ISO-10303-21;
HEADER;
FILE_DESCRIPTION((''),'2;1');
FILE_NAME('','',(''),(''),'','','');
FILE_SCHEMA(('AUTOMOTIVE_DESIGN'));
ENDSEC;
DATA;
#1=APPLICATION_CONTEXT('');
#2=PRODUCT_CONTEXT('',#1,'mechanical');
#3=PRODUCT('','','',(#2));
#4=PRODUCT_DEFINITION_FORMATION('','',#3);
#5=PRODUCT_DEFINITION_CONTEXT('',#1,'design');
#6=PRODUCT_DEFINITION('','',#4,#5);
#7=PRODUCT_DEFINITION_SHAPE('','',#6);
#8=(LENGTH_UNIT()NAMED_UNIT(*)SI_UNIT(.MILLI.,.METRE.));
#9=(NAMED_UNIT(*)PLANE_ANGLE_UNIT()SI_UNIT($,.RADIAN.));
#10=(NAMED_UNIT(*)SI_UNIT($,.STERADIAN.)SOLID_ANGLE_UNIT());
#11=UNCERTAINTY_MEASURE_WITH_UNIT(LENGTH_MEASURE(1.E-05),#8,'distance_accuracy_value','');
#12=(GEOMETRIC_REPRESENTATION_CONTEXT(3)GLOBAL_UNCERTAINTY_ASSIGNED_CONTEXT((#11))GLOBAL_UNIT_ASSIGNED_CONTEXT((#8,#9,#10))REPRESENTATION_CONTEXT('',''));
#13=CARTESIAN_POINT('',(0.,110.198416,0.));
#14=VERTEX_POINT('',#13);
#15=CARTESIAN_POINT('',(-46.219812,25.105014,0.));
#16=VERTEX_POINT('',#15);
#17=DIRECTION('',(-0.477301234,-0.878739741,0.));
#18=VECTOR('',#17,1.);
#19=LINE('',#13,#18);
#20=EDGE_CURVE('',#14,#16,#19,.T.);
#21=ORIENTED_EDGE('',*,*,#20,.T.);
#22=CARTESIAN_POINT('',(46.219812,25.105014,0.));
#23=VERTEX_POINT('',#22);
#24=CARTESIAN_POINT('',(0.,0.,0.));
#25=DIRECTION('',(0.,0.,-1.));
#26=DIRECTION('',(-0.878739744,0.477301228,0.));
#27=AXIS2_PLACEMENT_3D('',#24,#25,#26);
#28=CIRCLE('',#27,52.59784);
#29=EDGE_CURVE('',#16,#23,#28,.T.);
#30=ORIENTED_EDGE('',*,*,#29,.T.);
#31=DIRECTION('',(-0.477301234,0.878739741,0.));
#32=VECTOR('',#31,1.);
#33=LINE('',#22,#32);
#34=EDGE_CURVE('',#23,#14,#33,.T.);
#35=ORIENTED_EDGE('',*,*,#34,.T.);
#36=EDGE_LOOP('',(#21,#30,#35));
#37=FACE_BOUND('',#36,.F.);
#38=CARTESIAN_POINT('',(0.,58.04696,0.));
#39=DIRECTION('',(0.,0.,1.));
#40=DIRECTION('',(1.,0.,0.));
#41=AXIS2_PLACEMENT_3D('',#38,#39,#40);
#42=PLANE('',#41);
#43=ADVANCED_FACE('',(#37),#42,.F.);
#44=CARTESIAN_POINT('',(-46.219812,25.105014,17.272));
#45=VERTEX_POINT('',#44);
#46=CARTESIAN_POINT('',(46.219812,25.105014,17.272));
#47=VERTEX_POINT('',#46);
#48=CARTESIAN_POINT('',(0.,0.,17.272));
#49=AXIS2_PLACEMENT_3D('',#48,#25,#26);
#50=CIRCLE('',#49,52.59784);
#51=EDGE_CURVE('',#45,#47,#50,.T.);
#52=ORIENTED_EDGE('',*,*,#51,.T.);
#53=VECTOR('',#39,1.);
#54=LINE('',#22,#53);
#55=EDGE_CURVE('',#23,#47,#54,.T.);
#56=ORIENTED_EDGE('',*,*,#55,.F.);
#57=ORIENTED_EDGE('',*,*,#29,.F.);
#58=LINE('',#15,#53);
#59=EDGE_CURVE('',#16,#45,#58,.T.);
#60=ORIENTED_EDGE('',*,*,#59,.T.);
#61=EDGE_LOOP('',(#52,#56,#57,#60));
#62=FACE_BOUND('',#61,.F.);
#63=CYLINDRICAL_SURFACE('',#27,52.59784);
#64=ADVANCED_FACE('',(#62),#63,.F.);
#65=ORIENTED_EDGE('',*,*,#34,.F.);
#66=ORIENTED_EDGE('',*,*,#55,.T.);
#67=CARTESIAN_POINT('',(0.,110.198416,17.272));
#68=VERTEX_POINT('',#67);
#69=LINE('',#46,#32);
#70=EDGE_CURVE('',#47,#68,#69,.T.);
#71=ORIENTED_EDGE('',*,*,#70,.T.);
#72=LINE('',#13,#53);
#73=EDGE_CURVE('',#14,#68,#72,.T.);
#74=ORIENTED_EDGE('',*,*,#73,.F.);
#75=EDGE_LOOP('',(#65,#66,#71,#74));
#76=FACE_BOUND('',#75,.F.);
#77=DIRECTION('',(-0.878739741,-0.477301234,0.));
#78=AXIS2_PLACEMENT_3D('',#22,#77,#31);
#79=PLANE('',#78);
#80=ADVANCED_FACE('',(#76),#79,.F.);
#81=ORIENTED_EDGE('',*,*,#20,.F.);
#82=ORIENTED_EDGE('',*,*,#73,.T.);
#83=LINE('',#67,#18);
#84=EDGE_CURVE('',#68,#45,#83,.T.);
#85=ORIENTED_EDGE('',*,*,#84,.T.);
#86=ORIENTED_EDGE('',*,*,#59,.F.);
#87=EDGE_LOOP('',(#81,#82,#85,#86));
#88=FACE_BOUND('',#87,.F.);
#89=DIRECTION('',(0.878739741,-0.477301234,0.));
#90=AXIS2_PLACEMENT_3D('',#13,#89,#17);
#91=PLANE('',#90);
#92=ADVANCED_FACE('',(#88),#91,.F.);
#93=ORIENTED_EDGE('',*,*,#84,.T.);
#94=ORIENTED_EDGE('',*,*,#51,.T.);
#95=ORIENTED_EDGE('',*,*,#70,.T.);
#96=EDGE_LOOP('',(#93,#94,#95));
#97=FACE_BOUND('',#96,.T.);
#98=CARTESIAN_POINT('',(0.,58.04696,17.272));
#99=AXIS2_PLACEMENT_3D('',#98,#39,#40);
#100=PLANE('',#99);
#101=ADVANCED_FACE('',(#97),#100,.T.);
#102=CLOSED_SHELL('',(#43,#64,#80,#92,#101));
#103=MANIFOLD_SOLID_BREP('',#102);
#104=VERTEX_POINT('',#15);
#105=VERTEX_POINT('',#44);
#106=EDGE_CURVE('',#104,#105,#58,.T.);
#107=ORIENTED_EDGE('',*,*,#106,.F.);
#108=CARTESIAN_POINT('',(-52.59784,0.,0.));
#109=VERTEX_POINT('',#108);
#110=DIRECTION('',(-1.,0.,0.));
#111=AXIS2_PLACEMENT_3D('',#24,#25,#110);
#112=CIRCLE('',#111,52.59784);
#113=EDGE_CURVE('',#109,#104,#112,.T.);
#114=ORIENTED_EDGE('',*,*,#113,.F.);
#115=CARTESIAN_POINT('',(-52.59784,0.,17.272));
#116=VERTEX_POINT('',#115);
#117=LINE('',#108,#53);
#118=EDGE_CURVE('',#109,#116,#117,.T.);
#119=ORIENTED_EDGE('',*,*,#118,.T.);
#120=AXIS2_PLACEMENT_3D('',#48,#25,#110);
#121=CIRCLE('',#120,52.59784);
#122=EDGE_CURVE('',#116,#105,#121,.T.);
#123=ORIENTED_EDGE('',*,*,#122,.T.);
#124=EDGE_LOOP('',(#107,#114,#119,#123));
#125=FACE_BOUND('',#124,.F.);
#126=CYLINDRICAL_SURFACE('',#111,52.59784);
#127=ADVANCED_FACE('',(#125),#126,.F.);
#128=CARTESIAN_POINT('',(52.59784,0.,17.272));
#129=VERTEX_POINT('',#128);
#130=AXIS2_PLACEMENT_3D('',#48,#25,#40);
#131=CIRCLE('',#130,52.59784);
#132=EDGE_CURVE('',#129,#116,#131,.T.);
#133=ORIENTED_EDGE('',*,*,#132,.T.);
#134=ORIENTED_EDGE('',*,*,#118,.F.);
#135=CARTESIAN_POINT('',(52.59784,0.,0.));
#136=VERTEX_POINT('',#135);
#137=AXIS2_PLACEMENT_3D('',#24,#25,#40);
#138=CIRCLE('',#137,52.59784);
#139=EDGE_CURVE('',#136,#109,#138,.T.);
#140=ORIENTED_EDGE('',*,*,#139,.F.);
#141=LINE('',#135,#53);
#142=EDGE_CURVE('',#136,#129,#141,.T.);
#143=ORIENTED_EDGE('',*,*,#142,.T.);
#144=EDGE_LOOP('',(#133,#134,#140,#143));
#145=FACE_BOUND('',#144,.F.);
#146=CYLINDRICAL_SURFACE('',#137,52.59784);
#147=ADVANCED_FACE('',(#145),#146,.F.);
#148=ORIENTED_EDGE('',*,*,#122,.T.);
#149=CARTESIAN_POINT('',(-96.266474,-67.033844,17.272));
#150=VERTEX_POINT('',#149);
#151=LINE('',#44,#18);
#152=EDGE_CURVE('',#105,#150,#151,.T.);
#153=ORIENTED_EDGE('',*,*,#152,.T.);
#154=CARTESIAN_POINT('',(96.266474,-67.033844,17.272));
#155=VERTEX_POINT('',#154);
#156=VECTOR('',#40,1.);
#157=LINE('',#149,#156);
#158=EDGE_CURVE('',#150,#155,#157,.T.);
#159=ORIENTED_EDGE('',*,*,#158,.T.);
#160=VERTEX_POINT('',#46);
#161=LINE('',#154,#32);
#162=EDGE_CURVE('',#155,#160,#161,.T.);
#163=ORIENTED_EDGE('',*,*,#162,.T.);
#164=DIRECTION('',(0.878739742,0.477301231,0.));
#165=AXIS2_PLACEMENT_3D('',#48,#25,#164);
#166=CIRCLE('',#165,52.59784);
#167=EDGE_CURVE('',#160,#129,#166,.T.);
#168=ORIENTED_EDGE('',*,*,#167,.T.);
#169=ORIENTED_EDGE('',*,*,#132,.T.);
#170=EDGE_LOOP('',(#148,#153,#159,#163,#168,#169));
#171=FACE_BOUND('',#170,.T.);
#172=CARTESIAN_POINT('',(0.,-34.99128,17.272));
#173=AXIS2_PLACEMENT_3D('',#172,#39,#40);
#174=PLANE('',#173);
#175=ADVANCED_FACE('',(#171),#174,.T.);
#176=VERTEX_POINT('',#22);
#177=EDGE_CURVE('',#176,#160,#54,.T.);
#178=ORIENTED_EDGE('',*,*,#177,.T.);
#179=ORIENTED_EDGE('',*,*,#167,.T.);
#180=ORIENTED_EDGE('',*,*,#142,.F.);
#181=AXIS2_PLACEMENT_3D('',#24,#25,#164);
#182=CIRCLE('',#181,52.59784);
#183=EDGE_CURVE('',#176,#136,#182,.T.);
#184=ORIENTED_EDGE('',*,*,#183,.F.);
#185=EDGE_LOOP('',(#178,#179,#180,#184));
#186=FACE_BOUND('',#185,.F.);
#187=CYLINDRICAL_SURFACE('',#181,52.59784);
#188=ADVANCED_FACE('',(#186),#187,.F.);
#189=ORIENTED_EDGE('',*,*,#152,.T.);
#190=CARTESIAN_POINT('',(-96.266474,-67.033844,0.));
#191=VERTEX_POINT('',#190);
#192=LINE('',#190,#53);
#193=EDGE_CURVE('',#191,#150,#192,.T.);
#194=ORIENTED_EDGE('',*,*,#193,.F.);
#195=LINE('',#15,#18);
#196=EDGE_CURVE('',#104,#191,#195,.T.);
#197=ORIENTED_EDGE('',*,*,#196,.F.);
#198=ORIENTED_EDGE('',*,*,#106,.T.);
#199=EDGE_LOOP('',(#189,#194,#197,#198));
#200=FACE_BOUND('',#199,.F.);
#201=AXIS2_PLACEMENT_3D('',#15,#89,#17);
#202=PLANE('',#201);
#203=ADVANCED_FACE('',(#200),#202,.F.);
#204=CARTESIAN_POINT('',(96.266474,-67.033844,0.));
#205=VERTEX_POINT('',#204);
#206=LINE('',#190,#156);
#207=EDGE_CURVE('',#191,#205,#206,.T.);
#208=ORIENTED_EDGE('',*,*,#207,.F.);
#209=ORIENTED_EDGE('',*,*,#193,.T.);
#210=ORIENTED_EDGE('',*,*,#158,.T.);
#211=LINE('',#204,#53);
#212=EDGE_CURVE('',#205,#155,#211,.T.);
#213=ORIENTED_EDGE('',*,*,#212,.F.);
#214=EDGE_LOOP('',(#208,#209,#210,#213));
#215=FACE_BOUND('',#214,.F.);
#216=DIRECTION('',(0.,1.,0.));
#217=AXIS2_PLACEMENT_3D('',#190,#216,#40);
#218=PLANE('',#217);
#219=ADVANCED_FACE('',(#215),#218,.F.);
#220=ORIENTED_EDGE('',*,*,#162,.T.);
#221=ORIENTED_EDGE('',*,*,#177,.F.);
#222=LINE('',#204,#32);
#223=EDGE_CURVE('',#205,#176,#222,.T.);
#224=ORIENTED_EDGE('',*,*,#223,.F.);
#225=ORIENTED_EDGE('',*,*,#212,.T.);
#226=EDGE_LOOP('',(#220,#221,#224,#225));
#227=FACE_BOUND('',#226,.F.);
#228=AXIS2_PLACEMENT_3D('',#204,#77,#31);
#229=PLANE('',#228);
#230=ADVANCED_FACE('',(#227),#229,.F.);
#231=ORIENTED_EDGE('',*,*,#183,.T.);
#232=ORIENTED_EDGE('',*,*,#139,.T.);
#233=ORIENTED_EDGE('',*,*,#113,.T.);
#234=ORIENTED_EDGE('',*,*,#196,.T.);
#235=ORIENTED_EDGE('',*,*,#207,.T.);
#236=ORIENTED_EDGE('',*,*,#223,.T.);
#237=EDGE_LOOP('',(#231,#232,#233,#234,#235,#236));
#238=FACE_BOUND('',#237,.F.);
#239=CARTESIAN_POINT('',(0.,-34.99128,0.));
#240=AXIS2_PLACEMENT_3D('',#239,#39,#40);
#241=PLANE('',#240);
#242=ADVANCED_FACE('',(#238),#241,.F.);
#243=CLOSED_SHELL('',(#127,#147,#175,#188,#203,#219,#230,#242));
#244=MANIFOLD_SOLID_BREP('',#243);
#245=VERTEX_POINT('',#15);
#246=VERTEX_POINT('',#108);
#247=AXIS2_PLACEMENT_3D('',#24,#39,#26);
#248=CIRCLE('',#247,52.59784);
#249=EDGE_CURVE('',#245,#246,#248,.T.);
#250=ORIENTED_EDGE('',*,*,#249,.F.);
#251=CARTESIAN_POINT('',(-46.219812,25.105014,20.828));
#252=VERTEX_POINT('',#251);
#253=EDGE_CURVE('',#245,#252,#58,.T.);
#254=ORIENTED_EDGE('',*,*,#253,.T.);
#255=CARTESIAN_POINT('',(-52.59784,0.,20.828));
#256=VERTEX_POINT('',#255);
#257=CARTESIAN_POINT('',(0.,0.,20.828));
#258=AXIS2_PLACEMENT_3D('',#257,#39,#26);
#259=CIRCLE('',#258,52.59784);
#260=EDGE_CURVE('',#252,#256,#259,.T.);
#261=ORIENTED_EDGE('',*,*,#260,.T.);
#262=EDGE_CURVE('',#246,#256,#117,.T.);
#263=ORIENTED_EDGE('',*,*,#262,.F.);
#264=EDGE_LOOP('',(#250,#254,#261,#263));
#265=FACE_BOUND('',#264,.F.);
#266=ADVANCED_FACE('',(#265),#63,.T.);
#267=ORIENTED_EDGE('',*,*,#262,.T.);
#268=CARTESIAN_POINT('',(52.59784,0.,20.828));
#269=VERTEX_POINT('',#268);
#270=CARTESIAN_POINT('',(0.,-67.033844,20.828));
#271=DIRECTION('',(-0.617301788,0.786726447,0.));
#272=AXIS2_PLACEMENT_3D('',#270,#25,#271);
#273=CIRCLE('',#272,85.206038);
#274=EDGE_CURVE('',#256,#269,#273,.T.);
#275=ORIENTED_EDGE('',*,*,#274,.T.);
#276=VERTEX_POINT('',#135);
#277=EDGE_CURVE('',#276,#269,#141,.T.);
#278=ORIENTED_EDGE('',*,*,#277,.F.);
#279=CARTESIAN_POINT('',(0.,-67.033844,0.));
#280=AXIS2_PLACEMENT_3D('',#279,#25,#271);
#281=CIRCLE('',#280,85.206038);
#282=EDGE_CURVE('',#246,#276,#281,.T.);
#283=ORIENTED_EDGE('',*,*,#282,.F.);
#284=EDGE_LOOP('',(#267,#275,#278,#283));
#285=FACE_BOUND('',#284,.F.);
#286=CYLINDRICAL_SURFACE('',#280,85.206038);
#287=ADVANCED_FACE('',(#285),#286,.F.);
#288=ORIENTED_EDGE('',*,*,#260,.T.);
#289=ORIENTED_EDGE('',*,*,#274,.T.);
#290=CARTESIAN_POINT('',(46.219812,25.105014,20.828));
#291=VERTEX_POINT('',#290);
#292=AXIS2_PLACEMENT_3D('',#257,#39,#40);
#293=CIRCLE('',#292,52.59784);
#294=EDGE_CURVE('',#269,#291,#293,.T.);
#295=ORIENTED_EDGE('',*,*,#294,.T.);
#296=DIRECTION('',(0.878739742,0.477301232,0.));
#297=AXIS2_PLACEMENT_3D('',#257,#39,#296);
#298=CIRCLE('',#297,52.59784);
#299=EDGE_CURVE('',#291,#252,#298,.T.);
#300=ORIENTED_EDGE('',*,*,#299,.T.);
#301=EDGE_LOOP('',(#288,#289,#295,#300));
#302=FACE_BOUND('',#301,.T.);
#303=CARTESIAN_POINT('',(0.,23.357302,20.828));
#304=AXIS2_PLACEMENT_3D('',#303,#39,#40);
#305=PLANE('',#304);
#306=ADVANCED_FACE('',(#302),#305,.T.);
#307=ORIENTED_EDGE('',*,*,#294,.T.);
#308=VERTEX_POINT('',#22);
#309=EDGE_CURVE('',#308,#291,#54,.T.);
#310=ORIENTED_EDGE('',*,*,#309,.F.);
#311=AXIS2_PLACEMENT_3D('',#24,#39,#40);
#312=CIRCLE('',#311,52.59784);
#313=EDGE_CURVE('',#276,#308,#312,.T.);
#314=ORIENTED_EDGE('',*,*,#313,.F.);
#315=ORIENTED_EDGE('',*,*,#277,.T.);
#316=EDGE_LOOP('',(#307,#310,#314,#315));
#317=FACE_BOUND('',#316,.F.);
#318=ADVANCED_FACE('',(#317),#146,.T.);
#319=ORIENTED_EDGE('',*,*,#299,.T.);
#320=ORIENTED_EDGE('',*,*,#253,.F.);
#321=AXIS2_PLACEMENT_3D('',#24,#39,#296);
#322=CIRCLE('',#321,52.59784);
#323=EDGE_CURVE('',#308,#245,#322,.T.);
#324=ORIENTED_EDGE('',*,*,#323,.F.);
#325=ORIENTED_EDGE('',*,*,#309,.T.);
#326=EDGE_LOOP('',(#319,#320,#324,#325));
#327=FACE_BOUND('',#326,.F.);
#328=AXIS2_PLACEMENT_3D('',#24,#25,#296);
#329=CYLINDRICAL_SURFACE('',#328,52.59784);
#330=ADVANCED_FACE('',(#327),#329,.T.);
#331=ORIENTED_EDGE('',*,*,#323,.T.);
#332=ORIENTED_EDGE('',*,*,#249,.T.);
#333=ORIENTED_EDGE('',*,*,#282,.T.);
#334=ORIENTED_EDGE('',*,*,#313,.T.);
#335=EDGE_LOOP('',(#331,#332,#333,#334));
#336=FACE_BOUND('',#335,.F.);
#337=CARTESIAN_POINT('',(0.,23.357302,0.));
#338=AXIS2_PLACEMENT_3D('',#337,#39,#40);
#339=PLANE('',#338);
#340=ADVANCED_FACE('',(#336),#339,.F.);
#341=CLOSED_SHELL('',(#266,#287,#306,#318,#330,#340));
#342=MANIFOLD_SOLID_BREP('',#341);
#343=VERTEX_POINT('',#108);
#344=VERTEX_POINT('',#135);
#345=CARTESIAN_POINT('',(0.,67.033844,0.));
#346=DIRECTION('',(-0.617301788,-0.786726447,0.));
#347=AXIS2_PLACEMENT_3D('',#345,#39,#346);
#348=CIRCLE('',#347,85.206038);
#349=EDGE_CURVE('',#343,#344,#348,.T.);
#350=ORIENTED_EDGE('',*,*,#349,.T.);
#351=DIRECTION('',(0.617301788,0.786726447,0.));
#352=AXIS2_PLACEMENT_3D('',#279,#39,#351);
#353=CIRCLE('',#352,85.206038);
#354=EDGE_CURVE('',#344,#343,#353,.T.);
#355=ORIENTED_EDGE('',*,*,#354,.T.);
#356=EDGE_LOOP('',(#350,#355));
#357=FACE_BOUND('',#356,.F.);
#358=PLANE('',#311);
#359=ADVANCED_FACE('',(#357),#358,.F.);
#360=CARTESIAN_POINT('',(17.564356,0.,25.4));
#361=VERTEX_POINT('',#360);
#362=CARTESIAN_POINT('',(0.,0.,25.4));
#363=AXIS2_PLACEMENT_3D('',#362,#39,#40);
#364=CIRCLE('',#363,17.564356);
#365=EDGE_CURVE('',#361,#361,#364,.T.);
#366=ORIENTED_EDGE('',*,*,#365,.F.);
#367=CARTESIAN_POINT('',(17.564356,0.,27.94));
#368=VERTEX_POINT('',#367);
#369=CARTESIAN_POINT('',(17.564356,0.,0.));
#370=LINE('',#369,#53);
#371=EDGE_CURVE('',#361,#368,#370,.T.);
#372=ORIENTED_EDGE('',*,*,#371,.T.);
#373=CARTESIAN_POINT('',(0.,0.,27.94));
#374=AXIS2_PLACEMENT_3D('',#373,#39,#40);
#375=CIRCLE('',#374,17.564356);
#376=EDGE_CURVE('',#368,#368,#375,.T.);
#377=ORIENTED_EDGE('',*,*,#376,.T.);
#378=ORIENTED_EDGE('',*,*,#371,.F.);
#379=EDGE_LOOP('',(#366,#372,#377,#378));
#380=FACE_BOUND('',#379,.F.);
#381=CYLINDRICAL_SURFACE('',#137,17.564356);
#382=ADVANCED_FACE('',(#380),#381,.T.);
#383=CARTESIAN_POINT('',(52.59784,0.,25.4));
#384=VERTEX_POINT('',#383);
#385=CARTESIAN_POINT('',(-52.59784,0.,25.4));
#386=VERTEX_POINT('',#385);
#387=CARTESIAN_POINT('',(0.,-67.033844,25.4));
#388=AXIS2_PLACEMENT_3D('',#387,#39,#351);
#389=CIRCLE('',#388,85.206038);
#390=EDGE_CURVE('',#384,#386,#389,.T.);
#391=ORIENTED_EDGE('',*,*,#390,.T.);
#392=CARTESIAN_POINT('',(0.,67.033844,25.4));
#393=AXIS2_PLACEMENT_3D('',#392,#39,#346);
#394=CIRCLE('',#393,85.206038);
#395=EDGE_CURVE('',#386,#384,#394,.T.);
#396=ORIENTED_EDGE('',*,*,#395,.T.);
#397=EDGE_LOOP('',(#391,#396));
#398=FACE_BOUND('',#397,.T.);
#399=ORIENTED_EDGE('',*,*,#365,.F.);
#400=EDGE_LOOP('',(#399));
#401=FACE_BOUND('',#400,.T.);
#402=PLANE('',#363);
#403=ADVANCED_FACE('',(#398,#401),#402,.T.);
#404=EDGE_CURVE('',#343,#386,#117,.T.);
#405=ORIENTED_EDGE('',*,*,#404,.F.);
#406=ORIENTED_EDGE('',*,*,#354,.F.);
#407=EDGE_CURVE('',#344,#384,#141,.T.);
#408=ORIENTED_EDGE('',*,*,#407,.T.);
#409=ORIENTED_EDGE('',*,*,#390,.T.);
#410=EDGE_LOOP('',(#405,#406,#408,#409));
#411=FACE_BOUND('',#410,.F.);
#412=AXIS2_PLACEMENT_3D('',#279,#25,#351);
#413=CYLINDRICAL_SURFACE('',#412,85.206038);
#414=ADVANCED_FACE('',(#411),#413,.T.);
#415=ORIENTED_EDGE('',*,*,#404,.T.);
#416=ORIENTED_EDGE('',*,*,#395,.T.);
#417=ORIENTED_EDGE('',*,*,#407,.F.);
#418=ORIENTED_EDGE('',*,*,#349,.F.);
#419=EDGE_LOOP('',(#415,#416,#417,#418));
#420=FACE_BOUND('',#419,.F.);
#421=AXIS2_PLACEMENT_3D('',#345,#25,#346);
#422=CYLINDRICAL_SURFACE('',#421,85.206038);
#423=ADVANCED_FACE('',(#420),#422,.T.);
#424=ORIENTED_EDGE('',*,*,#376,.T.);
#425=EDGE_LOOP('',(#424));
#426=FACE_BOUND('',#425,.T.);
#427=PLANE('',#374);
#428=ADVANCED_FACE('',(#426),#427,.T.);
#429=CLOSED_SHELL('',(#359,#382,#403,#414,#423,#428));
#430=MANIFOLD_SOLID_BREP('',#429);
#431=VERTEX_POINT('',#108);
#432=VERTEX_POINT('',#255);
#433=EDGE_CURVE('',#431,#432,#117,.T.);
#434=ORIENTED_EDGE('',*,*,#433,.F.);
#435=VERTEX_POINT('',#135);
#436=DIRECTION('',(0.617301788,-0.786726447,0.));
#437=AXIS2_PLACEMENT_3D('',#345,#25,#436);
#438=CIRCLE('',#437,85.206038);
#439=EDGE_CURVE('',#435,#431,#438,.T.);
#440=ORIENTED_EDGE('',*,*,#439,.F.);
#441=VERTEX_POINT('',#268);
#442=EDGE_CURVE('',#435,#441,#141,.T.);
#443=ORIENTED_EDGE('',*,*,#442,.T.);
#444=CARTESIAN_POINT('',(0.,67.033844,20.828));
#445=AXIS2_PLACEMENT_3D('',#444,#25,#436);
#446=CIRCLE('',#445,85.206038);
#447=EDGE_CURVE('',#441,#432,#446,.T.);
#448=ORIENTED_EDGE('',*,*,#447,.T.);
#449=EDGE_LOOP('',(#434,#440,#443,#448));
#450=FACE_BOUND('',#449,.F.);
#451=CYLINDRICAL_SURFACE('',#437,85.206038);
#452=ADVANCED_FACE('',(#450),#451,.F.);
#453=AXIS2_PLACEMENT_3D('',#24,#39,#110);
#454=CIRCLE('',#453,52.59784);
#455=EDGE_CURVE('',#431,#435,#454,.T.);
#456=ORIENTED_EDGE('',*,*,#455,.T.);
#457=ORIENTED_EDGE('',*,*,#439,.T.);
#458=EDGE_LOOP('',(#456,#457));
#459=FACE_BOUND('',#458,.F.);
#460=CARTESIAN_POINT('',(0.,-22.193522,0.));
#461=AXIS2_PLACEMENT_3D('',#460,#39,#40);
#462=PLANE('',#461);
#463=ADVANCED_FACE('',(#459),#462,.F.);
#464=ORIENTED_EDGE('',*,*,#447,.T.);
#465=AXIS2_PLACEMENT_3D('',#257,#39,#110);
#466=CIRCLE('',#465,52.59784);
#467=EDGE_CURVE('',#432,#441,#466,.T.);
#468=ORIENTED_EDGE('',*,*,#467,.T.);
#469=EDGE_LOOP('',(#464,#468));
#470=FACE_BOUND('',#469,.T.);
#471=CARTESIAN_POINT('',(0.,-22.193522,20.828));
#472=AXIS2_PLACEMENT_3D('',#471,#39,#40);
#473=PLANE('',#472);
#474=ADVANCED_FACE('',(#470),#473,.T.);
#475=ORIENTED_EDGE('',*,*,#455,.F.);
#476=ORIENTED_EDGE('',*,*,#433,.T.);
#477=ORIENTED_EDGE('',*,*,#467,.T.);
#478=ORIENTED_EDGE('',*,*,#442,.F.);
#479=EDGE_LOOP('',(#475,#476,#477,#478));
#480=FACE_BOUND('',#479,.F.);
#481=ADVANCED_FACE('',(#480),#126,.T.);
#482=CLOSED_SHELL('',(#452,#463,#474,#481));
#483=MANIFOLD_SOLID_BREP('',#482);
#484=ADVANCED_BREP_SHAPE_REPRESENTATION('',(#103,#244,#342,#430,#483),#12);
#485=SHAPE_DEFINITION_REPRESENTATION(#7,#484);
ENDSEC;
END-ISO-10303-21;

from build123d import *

# Parameters (mm, degrees)
F1_DEPTH = 17.272
F2_DEPTH = 20.828
F0_R     = 17.5643557077
F3_DEPTH = 25.4
F4_DEPTH = 27.94


with BuildPart() as f1:
    # F0 (on Top) → F1 (new body)
    with BuildSketch(Plane.XY):
        with BuildLine():
            ThreePointArc((52.5978398895, 0), (0, -52.5978398895), (-52.5978398895, 0))
            ThreePointArc((-52.5978398895, 0), (-50.9784025401, 12.9512638571), (-46.2198123565, 25.1050135784))
            Line((-46.2198123565, 25.1050135784), (-96.2664738897, -67.0338438372))
            Line((-96.2664738897, -67.0338438372), (0, -67.0338438372))
            Line((0, -67.0338438372), (96.2664738897, -67.0338438372))
            Line((96.2664738897, -67.0338438372), (46.2198122612, 25.1050137538))
            ThreePointArc((46.2198122612, 25.1050137538), (50.9784025155, 12.9512639538), (52.5978398895, 0))
        make_face()
    extrude(amount=F1_DEPTH)


with BuildPart() as f1b:
    # F0 (on Top) → F1, piece 2 (new body)
    with BuildSketch(Plane.XY):
        with BuildLine():
            Line((0, 110.1984158158), (-46.2198123565, 25.1050135784))
            ThreePointArc((-46.2198123565, 25.1050135784), (-9.98e-08, 52.5978398895), (46.2198122612, 25.1050137538))
            Line((46.2198122612, 25.1050137538), (0, 110.1984158158))
        make_face()
    extrude(amount=F1_DEPTH)


with BuildPart() as f2:
    # F0 (on Top) → F2 (new body)
    with BuildSketch(Plane.XY):
        with BuildLine():
            ThreePointArc((-46.2198123565, 25.1050135784), (-50.9784025401, 12.9512638571), (-52.5978398895, 0))
            ThreePointArc((-52.5978398895, 0), (0, 18.1721945675), (52.5978398895, 0))
            ThreePointArc((52.5978398895, 0), (50.9784025155, 12.9512639538), (46.2198122612, 25.1050137538))
            ThreePointArc((46.2198122612, 25.1050137538), (-9.98e-08, 52.5978398895), (-46.2198123565, 25.1050135784))
        make_face()
    extrude(amount=F2_DEPTH)


with BuildPart() as f2b:
    # F0 (on Top) → F2, piece 2 (new body)
    with BuildSketch(Plane.XY):
        with BuildLine():
            ThreePointArc((52.5978398895, 0), (0, -18.1721945675), (-52.5978398895, 0))
            ThreePointArc((-52.5978398895, 0), (0, -52.5978398895), (52.5978398895, 0))
        make_face()
    extrude(amount=F2_DEPTH)


with BuildPart() as f3:
    # F0 (on Top) → F3 (new body)
    with BuildSketch(Plane.XY):
        with BuildLine():
            ThreePointArc((52.5978398895, 0), (0, 18.1721945675), (-52.5978398895, 0))
            ThreePointArc((-52.5978398895, 0), (0, -18.1721945675), (52.5978398895, 0))
        make_face()
        Circle(F0_R, mode=Mode.SUBTRACT)
    extrude(amount=F3_DEPTH)

    # F0 (on Top) → F4 (join)
    with BuildSketch(Plane.XY):
        Circle(F0_R)
    extrude(amount=F4_DEPTH)


solid = Compound([f1.part, f1b.part, f2.part, f2b.part, f3.part])
